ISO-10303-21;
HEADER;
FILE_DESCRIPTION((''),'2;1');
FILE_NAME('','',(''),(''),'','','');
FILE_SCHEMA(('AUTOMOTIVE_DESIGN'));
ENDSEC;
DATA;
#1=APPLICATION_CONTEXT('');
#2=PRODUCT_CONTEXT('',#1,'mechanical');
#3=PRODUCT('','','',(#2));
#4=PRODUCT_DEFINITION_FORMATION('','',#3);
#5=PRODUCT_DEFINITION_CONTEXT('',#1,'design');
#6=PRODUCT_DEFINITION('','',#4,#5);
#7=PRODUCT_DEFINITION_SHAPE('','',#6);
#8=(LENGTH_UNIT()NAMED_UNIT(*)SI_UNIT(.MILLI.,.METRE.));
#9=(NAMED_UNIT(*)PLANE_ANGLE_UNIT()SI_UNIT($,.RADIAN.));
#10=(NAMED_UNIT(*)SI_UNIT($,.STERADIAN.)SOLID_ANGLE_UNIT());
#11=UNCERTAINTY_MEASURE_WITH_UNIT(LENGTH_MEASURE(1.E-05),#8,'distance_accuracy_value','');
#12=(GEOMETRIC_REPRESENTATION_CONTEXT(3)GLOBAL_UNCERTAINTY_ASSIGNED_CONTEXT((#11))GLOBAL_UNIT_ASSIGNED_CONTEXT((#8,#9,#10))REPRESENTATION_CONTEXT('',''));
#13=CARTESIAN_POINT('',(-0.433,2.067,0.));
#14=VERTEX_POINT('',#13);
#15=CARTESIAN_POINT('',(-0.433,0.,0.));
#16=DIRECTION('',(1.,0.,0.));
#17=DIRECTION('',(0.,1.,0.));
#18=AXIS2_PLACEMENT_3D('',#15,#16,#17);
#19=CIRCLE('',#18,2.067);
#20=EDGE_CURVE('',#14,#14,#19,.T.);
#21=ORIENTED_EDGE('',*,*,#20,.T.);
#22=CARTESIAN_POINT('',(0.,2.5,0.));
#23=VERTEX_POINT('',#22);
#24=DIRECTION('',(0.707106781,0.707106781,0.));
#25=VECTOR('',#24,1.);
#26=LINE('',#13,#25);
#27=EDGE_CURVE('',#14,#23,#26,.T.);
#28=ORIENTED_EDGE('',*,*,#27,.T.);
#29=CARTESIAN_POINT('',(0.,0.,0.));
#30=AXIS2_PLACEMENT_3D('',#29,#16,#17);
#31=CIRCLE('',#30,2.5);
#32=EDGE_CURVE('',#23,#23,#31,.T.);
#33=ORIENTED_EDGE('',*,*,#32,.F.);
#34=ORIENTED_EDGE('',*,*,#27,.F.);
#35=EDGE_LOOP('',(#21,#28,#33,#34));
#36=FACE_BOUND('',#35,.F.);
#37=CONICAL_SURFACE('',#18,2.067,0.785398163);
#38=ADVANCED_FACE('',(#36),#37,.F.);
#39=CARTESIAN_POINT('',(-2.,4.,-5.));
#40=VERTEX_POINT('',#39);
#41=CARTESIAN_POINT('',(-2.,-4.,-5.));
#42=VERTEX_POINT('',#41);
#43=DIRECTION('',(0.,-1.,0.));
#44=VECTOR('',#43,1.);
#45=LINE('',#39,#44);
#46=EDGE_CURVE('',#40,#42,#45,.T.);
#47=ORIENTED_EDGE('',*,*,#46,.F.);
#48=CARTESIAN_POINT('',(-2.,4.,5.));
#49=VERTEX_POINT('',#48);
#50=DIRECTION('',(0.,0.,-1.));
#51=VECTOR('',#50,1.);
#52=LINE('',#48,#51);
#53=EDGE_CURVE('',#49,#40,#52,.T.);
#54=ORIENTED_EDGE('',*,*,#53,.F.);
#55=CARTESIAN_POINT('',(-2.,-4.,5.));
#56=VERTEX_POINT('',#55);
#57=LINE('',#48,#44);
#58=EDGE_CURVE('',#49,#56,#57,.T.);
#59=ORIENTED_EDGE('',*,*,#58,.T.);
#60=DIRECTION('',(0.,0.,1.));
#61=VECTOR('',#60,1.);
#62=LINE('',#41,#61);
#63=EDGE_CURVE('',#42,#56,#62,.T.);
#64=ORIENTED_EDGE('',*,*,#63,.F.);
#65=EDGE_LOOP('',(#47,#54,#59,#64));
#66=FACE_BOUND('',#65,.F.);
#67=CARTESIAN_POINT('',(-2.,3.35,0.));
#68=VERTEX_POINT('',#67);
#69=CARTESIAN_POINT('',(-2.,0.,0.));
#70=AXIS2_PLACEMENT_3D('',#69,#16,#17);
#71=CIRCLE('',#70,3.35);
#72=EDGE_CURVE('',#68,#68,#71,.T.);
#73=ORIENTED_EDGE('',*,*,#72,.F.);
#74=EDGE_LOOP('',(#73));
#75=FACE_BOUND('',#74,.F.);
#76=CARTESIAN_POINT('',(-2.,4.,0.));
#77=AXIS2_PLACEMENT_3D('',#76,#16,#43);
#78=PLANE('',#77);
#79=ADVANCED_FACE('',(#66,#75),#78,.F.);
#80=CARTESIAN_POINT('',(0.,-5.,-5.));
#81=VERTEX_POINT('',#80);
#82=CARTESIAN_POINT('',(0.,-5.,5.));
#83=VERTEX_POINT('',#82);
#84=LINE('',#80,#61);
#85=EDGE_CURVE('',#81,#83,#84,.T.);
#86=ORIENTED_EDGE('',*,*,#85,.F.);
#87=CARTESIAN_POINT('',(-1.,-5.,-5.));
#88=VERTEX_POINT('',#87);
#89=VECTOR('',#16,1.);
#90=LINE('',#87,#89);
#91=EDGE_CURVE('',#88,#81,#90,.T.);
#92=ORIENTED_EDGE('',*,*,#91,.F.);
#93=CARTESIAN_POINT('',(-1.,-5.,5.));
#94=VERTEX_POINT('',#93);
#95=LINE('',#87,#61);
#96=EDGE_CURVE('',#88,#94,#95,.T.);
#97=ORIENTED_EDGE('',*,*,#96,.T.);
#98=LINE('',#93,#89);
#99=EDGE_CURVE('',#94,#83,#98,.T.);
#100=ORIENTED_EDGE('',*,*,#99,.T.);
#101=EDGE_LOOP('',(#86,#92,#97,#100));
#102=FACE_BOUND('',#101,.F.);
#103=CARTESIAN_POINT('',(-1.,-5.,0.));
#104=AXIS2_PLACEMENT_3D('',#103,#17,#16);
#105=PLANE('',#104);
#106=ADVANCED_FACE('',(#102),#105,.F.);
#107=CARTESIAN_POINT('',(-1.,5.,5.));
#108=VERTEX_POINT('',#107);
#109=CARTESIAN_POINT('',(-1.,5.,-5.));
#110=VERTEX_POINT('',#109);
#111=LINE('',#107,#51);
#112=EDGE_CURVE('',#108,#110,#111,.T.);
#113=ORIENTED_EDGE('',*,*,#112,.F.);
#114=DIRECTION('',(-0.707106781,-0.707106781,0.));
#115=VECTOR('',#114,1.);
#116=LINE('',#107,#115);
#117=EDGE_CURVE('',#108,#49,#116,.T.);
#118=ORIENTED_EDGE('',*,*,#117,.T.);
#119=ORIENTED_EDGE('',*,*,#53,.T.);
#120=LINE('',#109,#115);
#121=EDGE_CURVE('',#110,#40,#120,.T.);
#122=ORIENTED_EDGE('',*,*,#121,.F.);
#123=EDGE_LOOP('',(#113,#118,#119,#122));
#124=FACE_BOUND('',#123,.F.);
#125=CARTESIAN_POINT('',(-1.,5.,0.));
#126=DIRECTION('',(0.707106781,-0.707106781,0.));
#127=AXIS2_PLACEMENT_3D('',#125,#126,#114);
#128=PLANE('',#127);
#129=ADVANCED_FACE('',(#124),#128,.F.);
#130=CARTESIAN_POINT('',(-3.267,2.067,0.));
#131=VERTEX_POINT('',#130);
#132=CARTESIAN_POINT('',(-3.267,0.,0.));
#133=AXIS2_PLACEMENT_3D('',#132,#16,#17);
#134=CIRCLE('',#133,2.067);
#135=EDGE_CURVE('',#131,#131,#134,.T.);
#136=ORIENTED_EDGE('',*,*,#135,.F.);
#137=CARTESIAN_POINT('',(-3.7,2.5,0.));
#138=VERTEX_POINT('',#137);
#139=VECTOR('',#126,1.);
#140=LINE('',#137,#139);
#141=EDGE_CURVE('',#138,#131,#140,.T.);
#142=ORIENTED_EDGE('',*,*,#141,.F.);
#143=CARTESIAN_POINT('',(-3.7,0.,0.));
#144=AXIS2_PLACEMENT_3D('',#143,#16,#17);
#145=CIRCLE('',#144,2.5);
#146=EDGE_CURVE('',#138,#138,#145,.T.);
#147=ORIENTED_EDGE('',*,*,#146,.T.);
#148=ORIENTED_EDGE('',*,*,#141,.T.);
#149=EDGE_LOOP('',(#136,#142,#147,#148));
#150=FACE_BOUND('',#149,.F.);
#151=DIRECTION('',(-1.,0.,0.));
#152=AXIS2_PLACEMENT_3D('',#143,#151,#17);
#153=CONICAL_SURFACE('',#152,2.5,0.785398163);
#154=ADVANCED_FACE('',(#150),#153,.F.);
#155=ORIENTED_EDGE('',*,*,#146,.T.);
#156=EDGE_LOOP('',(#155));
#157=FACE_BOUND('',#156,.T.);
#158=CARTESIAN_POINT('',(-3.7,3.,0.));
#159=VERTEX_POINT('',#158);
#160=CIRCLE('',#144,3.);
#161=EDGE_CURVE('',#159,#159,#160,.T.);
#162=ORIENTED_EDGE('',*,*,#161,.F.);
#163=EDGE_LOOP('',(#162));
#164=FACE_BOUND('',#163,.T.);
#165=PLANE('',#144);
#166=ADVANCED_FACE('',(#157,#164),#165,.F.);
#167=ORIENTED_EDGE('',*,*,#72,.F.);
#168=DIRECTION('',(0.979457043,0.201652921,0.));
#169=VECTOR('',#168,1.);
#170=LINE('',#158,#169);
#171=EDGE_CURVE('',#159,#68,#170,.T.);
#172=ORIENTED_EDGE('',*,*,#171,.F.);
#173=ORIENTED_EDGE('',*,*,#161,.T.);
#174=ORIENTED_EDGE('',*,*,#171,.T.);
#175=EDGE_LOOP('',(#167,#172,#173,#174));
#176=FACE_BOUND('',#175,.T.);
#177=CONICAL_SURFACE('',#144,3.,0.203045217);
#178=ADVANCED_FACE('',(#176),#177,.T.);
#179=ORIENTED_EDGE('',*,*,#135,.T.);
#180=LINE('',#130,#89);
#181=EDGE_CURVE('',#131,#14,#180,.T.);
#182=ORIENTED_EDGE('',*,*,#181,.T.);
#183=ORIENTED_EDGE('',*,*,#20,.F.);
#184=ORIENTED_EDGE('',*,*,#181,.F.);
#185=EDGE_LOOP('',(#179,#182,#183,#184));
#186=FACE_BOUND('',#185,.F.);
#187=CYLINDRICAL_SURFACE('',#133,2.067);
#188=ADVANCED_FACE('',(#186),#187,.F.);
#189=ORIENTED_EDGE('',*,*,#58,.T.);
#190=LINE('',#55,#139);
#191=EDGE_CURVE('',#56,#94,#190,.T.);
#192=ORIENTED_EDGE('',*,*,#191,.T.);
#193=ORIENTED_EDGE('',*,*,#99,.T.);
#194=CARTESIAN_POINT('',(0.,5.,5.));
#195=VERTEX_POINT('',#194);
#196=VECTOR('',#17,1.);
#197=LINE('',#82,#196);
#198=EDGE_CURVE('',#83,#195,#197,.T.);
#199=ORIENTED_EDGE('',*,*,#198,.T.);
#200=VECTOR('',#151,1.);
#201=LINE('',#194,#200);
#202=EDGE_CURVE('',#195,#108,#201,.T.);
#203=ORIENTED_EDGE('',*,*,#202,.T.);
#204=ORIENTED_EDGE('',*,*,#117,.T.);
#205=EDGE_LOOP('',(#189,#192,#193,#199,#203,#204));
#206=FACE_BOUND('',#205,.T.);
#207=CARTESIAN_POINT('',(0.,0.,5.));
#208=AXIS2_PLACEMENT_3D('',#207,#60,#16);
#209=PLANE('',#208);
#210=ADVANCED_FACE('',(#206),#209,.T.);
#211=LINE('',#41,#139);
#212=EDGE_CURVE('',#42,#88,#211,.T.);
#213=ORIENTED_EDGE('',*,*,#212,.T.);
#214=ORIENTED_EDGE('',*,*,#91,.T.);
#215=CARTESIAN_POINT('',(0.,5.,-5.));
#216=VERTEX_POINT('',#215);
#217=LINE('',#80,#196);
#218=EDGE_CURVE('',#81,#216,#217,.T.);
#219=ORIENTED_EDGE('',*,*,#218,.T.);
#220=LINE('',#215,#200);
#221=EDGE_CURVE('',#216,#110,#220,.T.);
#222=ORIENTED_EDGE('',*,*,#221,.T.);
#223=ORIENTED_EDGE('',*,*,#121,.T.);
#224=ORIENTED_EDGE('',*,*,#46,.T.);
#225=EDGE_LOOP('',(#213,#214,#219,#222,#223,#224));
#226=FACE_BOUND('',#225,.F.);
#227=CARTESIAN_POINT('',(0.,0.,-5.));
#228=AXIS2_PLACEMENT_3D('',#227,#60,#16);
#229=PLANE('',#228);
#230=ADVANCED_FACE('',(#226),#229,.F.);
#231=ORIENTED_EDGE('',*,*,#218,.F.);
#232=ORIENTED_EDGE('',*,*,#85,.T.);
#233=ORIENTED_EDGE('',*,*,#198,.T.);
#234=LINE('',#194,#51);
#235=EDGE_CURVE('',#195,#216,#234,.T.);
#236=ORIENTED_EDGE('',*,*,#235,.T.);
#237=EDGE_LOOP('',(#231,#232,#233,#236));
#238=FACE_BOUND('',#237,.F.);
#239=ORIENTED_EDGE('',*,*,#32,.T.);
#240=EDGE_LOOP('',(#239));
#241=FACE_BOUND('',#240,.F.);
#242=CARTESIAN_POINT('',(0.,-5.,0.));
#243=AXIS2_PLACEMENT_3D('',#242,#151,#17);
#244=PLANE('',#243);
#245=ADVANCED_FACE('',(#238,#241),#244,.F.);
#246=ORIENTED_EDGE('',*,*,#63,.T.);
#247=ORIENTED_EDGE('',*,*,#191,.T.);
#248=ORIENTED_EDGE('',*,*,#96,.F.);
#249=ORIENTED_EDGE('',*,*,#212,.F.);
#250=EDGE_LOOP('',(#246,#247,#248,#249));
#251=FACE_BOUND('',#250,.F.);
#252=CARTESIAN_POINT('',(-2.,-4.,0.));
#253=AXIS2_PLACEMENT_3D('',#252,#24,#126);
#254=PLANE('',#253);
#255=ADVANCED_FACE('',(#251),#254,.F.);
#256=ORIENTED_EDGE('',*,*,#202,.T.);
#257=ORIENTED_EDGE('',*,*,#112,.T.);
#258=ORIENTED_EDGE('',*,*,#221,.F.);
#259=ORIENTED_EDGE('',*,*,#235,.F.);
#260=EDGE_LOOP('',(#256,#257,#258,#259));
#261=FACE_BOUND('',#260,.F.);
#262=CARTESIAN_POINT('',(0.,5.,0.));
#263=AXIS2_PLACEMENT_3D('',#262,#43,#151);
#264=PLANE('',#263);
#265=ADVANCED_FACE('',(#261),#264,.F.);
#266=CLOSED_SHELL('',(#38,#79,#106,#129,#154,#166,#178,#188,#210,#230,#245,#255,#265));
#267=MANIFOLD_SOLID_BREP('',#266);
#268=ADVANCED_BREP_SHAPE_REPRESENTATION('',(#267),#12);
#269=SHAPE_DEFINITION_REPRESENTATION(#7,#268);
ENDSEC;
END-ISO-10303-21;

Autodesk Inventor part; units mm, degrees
sketch "Sketch_1" plane through (0, 0, 0) normal (0, 0, 1) x (1, 0, 0)
  line L0 (-2, -4) -> (-1, -5)
  line L1 (-1, -5) -> (0, -5)
  line L2 (0, -5) -> (0, 5)
  line L3 (0, 5) -> (-1, 5)
  line L4 (-1, 5) -> (-2, 4)
  line L5 (-2, 4) -> (-2, -4)
extrude "Extrusion1" add sketch "Sketch_1" along normal mid plane 10
sketch "Sketch_10" plane through (0, 0, 0) normal (0, 0, 1) x (1, 0, 0)
  line L0 (-2, 0) -> (-3.7, 0)
  line L1 (-3.7, 0) -> (-3.7, 3)
  line L2 (-3.7, 3) -> (-2, 3.35)
  line L3 (-2, 3.35) -> (-2, 0)
  line L4 (-2, 0) -> (-3.7, 0)
revolve "Revolution1" add sketch "Sketch_10" angle 360 about axis through (-2, 0, 0) along (1, 0, 0)
sketch "Sketch_3" plane through (0, 0, 0) normal (0, 0, 1) x (1, 0, 0)
  line L0 (0, 0) -> (-3.7, 0)
  line L1 (-3.7, 0) -> (-3.7, 2.5)
  line L2 (-3.7, 2.5) -> (-3.267, 2.067)
  line L3 (-3.267, 2.067) -> (-0.433, 2.067)
  line L4 (-0.433, 2.067) -> (0, 2.5)
  line L5 (0, 2.5) -> (0, 0)
  line L6 (0, 0) -> (-3.7, 0)
revolve "Revolution2" cut sketch "Sketch_3" angle 360 about axis through (0, 0, 0) along (1, 0, 0)
thread "Thread1" size "M5x0.8" class "6H" standard "ISO Metric profile" full length
ref_plane "nut_XY" through (0, 0, 0) normal (1, 0, 0) x (0, 0, -1)
ref_plane "nut_YZ" through (0, 0, 0) normal (0, 0, -1) x (0, 1, 0)
ref_plane "nut_ZX" through (0, 0, 0) normal (0, 1, 0) x (1, 0, 0)
ref_plane "to_bolt_XY" through (-3.7, 0, 0) normal (1, 0, 0) x (0, 0, -1)
ref_plane "to_bolt_YZ" through (-3.7, 0, 0) normal (0, 0, -1) x (0, 1, 0)
ref_plane "to_bolt_ZX" through (-3.7, 0, 0) normal (0, 1, 0) x (1, 0, 0)
ref_plane "to_frames_XY" through (-2, 0, 0) normal (1, 0, 0) x (0, 0, -1)
ref_plane "to_frames_YZ" through (-2, 0, 0) normal (0, 0, -1) x (0, 1, 0)
ref_plane "to_frames_ZX" through (-2, 0, 0) normal (0, 1, 0) x (1, 0, 0)
properties part number "HNTTBS5-5"
